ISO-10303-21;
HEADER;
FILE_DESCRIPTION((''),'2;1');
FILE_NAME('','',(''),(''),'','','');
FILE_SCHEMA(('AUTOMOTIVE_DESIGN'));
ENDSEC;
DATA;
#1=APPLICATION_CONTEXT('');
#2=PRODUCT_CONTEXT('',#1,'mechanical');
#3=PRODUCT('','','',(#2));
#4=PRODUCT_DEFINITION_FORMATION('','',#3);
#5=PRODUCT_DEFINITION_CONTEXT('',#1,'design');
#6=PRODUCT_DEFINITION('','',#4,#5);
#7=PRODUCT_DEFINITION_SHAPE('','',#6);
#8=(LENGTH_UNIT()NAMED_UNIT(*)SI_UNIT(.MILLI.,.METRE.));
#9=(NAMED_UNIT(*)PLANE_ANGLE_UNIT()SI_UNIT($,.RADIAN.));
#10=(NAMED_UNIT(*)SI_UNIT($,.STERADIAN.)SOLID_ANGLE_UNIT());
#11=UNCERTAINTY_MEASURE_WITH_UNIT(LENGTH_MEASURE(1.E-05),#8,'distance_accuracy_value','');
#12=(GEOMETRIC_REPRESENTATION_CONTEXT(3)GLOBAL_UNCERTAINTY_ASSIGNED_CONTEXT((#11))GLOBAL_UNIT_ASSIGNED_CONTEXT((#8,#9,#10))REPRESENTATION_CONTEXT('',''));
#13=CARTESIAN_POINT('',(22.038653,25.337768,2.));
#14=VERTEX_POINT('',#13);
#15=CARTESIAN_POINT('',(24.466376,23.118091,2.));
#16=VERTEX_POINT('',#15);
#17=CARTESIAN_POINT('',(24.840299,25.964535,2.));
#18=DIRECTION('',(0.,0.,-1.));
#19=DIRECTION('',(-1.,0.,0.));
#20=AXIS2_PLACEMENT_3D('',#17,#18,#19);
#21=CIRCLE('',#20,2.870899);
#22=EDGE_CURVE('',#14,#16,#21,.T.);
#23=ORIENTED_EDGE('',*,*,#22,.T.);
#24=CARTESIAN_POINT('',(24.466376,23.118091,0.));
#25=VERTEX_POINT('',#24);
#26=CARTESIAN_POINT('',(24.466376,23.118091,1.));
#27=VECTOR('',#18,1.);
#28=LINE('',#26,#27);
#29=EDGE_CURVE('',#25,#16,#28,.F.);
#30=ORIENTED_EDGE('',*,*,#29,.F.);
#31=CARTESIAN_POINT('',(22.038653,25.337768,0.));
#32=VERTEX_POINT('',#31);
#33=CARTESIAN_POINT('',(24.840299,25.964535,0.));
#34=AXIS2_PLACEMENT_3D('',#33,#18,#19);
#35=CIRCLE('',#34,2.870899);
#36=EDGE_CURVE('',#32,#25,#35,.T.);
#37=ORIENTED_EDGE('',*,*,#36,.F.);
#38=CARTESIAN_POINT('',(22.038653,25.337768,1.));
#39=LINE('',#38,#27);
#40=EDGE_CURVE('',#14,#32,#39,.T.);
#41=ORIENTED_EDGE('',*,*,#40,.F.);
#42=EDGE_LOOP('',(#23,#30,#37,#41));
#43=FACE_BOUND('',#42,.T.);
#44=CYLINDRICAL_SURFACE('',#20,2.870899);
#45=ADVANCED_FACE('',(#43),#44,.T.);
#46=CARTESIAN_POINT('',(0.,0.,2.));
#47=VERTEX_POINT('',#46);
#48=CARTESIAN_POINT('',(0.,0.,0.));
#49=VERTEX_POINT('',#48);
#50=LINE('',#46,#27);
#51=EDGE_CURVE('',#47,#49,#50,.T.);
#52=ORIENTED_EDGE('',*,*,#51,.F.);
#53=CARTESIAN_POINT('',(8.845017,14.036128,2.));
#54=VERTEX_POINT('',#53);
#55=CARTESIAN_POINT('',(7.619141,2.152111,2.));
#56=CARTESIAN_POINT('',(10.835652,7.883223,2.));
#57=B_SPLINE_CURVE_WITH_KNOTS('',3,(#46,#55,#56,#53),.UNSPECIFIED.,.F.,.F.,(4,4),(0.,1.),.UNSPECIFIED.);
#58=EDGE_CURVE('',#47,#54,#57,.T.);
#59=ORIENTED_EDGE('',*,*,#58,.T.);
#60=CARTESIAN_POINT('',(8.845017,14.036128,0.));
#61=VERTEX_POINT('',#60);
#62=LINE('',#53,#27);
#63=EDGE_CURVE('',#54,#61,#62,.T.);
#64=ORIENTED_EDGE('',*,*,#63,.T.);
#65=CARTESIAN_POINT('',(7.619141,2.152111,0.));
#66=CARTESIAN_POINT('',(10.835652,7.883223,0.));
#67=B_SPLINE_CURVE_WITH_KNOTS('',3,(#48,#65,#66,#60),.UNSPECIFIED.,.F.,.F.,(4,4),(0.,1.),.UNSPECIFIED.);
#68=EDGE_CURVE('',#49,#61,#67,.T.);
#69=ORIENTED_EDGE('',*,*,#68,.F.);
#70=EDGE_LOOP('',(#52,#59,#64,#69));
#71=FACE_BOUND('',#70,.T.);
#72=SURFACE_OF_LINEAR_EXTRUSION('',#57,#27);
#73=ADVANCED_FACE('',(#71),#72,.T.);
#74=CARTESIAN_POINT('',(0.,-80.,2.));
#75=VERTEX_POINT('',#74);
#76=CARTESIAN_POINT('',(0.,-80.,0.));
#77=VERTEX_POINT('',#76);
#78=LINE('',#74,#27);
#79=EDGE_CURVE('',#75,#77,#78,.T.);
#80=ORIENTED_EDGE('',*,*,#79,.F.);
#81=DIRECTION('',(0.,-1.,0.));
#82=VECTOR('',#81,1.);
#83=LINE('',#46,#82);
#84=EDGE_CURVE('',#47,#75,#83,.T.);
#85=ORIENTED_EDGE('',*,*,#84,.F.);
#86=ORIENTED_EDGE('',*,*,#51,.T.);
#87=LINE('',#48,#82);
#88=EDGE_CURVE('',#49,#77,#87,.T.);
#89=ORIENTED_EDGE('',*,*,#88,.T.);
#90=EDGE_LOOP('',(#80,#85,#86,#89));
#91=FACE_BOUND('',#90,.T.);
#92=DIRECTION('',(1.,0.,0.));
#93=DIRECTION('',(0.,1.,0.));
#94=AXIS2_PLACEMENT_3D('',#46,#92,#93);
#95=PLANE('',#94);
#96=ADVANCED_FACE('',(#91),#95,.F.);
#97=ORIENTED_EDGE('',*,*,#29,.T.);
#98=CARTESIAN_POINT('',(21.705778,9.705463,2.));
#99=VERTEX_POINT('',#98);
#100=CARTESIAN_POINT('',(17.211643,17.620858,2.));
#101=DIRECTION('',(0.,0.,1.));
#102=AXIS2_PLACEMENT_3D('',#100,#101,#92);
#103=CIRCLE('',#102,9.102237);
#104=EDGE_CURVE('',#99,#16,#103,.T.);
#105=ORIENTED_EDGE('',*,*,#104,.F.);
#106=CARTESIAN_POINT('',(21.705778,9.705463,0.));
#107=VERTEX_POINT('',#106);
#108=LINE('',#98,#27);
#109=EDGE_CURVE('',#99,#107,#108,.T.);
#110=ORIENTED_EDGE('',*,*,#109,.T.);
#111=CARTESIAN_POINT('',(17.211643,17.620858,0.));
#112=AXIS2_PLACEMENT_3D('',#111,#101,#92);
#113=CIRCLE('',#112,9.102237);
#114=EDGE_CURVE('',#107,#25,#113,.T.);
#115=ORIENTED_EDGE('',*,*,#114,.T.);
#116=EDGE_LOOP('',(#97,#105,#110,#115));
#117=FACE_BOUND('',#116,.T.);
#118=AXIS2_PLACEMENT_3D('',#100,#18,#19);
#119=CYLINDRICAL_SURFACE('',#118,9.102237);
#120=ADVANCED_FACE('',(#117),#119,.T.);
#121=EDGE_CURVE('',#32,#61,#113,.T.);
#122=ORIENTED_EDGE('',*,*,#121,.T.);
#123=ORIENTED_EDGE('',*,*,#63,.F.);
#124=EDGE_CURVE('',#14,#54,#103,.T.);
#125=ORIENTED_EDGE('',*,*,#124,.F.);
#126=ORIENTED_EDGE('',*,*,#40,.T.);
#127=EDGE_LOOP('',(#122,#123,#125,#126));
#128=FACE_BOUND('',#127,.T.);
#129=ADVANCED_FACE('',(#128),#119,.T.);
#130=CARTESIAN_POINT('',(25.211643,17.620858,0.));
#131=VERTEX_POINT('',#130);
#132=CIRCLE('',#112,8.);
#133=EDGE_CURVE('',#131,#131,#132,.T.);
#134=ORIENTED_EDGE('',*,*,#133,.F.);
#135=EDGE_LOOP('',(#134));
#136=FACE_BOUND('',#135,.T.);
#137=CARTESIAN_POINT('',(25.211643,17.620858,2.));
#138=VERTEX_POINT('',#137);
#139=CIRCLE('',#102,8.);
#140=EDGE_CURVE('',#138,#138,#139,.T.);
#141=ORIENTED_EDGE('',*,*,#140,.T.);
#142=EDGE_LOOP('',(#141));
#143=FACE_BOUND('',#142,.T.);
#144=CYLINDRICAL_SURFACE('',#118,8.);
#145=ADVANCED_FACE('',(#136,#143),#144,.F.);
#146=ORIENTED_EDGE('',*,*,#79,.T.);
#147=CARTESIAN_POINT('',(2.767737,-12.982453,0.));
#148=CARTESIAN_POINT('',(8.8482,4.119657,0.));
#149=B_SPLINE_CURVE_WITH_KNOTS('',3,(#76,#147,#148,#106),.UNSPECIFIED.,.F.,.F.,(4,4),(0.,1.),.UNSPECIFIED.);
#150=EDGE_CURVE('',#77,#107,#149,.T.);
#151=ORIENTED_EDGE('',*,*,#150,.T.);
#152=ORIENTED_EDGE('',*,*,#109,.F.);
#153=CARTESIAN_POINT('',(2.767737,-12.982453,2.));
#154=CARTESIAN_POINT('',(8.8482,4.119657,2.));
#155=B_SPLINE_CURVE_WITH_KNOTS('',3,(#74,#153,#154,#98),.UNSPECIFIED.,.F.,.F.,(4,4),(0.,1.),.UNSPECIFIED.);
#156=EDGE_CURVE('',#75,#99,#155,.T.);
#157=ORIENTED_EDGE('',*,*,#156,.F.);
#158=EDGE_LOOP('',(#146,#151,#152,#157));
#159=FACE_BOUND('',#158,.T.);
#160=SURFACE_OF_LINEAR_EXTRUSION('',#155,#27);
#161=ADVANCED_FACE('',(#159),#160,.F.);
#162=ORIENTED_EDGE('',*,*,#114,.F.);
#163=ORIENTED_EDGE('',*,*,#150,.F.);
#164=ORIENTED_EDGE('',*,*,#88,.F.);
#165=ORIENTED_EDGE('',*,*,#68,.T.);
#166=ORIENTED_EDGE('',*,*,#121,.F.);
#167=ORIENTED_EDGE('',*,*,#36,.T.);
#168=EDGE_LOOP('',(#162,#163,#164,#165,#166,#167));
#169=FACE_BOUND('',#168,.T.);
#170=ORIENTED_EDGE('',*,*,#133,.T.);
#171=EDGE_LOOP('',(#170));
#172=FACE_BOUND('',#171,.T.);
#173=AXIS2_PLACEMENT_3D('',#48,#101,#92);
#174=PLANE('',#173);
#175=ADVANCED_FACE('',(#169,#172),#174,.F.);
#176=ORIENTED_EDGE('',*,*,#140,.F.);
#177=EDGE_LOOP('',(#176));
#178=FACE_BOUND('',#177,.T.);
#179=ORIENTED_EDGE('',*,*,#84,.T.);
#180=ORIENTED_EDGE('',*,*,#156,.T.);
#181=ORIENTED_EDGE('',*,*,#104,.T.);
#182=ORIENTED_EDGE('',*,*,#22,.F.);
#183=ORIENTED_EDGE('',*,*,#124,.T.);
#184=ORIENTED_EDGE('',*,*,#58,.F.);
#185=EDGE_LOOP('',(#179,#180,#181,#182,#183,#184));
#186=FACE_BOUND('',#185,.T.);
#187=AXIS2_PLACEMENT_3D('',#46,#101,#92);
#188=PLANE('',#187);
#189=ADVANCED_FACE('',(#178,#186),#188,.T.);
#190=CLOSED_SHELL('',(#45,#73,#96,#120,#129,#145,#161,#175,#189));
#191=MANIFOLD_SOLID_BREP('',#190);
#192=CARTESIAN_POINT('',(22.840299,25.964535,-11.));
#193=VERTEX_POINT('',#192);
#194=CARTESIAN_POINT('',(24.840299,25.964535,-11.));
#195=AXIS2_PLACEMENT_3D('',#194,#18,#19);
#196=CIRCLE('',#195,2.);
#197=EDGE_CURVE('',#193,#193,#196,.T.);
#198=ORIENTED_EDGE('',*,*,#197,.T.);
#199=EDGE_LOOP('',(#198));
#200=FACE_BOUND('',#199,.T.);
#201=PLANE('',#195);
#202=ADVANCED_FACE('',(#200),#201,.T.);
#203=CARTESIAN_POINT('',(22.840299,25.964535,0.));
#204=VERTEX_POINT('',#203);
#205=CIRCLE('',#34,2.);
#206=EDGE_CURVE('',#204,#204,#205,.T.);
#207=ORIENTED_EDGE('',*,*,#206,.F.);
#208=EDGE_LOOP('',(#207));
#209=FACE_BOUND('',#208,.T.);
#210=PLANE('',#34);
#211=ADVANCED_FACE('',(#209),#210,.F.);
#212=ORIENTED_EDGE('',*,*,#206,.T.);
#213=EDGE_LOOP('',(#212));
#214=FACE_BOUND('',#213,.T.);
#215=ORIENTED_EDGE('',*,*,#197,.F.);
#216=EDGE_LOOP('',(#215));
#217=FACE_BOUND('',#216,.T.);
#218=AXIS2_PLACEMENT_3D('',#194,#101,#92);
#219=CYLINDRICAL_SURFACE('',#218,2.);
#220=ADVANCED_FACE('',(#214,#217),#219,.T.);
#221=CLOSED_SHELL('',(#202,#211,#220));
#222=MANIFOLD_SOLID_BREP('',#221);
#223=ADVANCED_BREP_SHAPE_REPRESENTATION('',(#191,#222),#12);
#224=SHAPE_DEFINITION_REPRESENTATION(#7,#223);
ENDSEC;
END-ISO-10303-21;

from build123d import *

# Parameters (mm, degrees)
SKETCH_1_R      = 8
EXTRUDE_1_DEPTH = 2
SKETCH_4_R      = 2
EXTRUDE_3_DEPTH = 11
SKETCH_5_R      = 2.870898962
EXTRUDE_4_DEPTH = 2


with BuildPart() as part:
    # 草图1 → 凸台-拉伸1 (new body)
    with BuildSketch(Plane.XY):
        with BuildLine():
            add(Edge.make_bspline(
                [(0, 0), (7.619140502, 2.152110585), (10.835651992, 7.883222637), (8.845016995, 14.036127647)],
                knots=[0, 0, 0, 0, 1, 1, 1, 1], degree=3))
            Line((0, 0), (0, -80))
            add(Edge.make_bspline(
                [(0, -80), (2.767736812, -12.982453188), (8.848199723, 4.119657414), (21.705777592, 9.705463364)],
                knots=[0, 0, 0, 0, 1, 1, 1, 1], degree=3))
            ThreePointArc((21.705777592, 9.705463364), (20.116416659, 26.247156045), (8.845016995, 14.036127647))
        make_face()
        with Locations((17.211642927, 17.620858295)):
            Circle(SKETCH_1_R, mode=Mode.SUBTRACT)
    extrude(amount=EXTRUDE_1_DEPTH)

    # 草图5 → 凸台-拉伸4 (add)
    with BuildSketch(Plane(origin=(0, 0, 0), x_dir=(-1, 0, 0), z_dir=(0, 0, -1))):
        with Locations((-24.840299444, 25.964534935)):
            Circle(SKETCH_5_R)
    extrude(amount=-EXTRUDE_4_DEPTH)


with BuildPart() as body_2:
    # 草图4 → 凸台-拉伸3 (new body)
    with BuildSketch(Plane(origin=(0, 0, 0), x_dir=(-1, 0, 0), z_dir=(0, 0, -1))):
        with Locations((-24.84029944, 25.96453493)):
            Circle(SKETCH_4_R)
    extrude(amount=EXTRUDE_3_DEPTH)


solid = Compound([part.part, body_2.part])
